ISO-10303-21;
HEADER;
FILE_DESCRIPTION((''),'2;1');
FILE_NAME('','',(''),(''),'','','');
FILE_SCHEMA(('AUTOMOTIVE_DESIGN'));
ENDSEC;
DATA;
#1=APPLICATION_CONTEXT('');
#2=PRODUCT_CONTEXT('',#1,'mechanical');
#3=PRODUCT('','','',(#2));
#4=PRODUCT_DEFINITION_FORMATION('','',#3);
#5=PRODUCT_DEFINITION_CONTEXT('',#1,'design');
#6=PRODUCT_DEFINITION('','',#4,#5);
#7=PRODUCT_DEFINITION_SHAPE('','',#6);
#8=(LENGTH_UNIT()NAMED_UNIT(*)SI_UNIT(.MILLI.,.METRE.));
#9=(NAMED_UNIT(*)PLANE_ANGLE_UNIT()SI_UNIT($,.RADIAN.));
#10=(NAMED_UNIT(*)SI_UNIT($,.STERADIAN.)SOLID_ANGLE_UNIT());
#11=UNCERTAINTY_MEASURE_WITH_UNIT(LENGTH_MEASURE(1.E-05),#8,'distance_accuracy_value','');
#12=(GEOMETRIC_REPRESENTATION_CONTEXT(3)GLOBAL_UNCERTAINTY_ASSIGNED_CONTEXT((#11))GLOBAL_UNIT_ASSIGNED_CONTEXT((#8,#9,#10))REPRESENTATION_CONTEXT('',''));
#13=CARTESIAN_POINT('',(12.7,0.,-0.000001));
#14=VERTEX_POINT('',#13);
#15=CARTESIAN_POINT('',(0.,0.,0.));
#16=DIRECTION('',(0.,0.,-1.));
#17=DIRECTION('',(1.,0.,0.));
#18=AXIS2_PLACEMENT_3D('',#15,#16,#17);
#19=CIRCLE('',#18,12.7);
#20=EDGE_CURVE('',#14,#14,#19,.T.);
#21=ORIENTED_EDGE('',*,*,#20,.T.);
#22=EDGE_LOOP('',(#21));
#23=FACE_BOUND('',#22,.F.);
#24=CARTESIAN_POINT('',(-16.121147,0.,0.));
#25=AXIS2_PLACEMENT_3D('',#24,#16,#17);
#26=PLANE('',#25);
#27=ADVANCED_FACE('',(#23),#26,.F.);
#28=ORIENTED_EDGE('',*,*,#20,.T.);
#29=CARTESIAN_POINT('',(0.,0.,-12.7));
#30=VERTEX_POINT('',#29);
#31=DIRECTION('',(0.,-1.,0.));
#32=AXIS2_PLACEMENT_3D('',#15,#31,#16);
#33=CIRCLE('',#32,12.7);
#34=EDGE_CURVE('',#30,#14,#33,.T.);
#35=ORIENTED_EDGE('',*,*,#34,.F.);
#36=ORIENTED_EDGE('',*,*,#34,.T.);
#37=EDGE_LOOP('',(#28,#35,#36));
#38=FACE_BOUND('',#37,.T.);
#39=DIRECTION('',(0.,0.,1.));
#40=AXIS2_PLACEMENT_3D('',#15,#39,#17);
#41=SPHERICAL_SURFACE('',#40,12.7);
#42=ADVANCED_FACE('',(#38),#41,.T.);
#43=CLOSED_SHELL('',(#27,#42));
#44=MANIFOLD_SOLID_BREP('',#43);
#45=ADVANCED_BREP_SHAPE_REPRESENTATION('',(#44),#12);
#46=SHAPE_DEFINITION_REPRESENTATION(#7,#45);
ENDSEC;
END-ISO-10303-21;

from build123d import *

# Parameters (mm, degrees)
F2_W     = 33.739738
F2_H     = 14.980557
F3_DEPTH = 12.7


with BuildPart() as f1:
    # F0 (on Front) → F1 (revolve)
    with BuildSketch(Plane.XZ):
        with BuildLine():
            Line((0, 12.7), (0, -12.7))
            ThreePointArc((0, -12.7), (12.7, 0), (0, 12.7))
        make_face()
    revolve(axis=Axis((0, 0, 0), (0, 0, 1)))

    # F2 (on Front) → F3 (cut, symmetric)
    with BuildSketch(Plane.XZ):
        with Locations((0.748722, 7.490278)):
            Rectangle(F2_W, F2_H)
    extrude(amount=F3_DEPTH, both=True, mode=Mode.SUBTRACT)


solid = f1.part
